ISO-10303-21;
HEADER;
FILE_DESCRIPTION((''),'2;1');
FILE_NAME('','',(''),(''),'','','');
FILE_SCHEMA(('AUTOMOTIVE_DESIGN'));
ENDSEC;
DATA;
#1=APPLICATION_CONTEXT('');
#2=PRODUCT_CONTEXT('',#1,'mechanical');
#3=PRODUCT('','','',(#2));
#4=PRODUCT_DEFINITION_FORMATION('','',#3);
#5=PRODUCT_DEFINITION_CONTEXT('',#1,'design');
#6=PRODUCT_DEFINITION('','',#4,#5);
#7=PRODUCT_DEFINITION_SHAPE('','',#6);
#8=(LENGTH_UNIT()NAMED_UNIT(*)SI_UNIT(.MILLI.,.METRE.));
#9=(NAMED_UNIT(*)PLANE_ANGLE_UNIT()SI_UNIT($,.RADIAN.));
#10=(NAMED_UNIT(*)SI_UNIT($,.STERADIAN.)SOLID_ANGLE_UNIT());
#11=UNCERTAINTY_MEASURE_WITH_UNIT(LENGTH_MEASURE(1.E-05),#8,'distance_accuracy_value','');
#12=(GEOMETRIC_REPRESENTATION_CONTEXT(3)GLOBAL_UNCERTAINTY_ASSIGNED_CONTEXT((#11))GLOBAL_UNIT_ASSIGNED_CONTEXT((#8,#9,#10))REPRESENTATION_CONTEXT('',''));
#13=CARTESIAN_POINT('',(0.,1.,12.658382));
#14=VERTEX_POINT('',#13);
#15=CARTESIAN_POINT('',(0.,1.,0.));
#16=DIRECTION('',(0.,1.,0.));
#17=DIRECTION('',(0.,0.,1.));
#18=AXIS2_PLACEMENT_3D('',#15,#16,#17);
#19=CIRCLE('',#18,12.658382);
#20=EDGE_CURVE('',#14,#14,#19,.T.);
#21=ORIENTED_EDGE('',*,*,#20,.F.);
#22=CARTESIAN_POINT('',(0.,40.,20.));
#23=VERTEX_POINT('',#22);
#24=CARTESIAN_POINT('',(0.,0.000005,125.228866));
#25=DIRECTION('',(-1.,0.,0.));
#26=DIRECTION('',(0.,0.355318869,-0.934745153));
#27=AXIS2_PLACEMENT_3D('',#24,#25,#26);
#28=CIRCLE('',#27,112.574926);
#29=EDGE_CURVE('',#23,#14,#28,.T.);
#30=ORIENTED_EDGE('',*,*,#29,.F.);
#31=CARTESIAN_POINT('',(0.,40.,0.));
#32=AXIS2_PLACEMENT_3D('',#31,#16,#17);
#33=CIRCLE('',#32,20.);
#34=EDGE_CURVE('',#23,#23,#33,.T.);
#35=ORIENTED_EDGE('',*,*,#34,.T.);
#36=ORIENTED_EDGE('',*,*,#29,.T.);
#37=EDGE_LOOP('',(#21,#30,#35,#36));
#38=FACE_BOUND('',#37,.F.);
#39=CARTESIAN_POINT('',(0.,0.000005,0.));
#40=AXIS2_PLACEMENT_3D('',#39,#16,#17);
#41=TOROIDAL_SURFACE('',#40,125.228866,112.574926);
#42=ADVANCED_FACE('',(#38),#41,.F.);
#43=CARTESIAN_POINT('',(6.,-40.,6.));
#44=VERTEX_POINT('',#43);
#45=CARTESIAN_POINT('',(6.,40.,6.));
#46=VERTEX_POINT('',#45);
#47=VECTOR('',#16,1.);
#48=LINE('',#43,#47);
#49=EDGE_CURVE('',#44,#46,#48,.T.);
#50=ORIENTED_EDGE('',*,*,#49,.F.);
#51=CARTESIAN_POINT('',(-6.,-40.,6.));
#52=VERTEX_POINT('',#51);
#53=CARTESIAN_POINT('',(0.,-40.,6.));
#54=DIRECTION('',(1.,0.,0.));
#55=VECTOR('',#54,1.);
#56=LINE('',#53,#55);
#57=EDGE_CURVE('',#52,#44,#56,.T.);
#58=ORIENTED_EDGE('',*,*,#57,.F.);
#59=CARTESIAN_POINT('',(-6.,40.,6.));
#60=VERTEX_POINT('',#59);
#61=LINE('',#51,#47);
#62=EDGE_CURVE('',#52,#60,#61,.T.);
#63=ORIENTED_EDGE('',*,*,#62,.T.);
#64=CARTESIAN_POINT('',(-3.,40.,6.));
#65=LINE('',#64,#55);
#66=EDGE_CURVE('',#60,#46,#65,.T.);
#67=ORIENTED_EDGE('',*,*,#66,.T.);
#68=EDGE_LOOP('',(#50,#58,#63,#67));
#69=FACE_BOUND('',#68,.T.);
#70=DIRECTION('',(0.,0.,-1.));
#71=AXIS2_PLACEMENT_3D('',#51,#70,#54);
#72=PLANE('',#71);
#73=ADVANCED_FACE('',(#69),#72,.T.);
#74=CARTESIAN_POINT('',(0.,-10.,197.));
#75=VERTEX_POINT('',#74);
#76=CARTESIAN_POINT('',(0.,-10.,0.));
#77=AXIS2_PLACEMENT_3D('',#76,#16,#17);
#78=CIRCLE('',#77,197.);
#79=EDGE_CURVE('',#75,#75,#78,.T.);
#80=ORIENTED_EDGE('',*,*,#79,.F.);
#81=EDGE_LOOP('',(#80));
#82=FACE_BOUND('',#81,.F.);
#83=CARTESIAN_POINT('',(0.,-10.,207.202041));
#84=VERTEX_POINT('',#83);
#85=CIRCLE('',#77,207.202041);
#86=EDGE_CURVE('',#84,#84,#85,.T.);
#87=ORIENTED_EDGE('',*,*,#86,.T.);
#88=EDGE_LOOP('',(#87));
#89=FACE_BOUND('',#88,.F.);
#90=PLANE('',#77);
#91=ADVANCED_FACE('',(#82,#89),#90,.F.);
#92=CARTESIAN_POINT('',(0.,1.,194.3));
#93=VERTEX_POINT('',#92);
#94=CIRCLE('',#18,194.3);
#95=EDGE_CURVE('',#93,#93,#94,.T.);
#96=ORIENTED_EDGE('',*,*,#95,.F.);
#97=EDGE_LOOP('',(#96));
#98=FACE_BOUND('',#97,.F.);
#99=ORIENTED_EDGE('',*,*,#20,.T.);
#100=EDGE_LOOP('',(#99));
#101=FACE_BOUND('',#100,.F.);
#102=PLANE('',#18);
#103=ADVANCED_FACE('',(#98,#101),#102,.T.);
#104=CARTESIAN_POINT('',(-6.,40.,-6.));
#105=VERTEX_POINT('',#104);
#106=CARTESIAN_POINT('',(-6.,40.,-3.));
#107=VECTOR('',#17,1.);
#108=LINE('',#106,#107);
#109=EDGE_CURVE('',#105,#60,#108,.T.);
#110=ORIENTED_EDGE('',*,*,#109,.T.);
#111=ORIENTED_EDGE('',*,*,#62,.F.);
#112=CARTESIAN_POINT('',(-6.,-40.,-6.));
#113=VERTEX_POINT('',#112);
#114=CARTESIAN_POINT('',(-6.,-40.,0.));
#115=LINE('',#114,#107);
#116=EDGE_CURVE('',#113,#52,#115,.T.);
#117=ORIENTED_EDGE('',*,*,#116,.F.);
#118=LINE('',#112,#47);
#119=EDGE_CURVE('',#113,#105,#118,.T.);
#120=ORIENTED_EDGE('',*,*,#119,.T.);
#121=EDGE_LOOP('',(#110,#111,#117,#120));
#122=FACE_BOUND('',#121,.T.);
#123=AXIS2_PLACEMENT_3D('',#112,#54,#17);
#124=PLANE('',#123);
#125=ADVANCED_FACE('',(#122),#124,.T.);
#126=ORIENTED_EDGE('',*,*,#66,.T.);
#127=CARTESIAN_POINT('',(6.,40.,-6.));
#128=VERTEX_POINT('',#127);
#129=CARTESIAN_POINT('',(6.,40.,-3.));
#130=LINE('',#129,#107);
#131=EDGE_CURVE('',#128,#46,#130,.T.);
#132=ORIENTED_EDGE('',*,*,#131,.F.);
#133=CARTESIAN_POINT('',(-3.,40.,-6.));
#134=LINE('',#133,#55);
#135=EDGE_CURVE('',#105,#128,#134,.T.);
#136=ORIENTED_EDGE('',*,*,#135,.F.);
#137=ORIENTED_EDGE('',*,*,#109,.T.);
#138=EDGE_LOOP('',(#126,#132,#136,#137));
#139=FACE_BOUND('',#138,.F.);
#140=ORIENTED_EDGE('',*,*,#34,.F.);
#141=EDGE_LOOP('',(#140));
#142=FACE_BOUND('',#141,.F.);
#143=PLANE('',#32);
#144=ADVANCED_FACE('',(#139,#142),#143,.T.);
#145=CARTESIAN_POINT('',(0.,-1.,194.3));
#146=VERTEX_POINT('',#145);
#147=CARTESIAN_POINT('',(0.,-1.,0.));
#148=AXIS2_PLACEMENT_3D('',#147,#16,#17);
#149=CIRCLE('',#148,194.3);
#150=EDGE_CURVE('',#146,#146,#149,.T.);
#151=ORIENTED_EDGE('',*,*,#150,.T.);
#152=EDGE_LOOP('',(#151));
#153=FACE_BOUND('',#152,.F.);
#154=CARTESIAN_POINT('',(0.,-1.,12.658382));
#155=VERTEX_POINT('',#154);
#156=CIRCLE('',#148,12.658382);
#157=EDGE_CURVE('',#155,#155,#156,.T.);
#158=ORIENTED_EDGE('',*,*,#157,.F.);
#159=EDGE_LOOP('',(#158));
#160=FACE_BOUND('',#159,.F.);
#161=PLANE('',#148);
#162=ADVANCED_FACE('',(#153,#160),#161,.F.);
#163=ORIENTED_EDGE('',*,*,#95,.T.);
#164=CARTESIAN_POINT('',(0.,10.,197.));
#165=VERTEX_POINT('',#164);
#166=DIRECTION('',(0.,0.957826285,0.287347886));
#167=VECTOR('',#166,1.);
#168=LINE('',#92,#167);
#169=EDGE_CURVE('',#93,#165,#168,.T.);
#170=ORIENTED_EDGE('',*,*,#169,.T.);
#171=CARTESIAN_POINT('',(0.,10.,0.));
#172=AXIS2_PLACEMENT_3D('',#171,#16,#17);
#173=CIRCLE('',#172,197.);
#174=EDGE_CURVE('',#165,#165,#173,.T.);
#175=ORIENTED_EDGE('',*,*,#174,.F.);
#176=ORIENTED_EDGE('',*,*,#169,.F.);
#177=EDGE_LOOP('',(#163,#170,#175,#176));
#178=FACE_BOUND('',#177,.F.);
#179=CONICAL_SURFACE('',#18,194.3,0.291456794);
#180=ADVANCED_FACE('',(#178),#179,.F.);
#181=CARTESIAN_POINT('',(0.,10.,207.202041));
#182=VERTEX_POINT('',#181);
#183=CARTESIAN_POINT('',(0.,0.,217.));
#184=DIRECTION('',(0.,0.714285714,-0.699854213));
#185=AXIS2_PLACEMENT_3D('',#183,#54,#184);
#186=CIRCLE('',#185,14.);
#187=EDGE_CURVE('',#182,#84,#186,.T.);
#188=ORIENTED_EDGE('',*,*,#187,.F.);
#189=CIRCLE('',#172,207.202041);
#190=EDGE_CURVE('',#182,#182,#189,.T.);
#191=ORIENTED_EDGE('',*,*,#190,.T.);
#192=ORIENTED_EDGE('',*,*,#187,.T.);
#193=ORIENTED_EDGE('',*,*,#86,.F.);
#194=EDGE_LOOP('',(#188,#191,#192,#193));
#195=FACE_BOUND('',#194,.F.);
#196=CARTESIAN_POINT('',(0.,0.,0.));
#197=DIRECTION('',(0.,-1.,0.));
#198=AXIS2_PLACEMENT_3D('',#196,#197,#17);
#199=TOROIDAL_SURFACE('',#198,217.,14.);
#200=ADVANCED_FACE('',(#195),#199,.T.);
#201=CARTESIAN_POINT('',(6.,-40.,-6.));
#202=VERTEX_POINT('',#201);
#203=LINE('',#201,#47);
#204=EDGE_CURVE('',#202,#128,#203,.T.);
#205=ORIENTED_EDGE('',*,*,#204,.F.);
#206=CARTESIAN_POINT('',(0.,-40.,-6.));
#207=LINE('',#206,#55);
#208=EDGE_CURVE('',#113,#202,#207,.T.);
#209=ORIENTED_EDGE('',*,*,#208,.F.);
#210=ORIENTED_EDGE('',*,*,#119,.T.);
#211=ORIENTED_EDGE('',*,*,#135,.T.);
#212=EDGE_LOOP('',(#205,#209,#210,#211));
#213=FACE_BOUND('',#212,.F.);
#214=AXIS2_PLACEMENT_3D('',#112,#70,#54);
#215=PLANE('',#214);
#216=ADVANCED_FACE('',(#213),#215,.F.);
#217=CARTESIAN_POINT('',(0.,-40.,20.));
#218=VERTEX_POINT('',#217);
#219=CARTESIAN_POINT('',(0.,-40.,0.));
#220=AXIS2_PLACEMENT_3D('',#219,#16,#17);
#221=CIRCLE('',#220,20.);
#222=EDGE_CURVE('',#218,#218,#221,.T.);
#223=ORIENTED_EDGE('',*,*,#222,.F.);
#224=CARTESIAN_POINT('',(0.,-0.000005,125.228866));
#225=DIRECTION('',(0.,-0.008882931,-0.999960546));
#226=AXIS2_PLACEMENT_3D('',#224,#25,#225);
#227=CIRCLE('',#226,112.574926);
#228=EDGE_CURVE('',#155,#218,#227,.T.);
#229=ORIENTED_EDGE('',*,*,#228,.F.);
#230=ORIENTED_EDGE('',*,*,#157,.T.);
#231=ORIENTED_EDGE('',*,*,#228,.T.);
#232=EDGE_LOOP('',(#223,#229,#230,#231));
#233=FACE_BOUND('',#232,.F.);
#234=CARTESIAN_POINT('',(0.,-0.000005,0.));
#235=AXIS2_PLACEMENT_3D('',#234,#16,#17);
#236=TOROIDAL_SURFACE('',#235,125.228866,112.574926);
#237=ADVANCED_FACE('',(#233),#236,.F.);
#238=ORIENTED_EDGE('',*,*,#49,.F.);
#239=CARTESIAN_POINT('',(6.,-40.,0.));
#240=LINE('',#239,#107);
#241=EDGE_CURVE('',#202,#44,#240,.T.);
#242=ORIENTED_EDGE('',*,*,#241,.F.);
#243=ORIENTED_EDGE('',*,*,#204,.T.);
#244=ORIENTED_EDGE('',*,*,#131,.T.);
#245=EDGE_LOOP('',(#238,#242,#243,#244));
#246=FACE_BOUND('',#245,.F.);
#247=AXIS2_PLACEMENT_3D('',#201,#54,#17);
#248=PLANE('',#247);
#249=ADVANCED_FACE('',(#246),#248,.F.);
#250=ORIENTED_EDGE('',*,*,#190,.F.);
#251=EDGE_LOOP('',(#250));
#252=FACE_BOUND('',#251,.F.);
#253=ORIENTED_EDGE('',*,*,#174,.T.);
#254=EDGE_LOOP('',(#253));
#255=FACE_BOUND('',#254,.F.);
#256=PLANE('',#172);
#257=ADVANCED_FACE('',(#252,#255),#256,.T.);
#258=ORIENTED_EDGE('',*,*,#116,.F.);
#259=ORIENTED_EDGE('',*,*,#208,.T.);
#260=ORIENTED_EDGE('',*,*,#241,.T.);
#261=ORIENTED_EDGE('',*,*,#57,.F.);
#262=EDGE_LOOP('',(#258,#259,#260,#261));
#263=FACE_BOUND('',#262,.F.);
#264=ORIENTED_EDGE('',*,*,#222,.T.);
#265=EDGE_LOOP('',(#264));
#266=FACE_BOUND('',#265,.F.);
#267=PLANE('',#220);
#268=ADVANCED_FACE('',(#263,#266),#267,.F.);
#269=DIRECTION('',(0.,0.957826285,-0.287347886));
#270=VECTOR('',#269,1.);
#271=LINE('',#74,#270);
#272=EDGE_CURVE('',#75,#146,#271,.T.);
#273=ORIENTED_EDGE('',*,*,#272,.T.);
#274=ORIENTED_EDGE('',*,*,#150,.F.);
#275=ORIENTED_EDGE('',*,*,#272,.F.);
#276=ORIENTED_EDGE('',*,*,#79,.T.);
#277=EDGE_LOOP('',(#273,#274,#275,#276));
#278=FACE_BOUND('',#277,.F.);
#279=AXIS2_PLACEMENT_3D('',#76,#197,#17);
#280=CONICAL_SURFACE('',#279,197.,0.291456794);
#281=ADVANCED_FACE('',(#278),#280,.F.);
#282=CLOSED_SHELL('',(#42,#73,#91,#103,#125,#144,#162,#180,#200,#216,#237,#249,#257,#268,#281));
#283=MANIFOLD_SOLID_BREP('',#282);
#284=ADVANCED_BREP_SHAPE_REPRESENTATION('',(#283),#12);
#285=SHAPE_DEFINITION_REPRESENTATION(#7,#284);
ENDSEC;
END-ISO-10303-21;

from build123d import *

# Parameters (mm, degrees)
F2_W     = 12
F2_H     = 12
F3_DEPTH = 80.001


with BuildPart() as f1:
    # F0 (on Right) → F1 (revolve)
    with BuildSketch(Plane.YZ):
        with BuildLine():
            Line((10, 197), (10, 207.202041))
            ThreePointArc((10, 207.202041), (0, 231), (-10, 207.202041))
            Line((-10, 207.202041), (-10, 197))
            Line((-10, 197), (-1, 194.3))
            Line((-1, 194.3), (-1, 12.658382))
            ThreePointArc((-1, 12.658382), (-20.826062, 14.597093), (-40, 20))
            Line((-40, 20), (-40, 0))
            Line((-40, 0), (40, 0))
            Line((40, 0), (40, 10))
            Line((40, 10), (40, 20))
            ThreePointArc((40, 20), (20.826062, 14.597093), (1, 12.658382))
            Line((1, 12.658382), (1, 194.3))
            Line((1, 194.3), (10, 197))
        make_face()
    revolve(axis=Axis((0, 1.765828, 0), (0, 1, 0)))

    # F2 (on face) → F3 (cut, through all)
    with BuildSketch(Plane.XZ.offset(40)):
        Rectangle(F2_W, F2_H)
    extrude(amount=-F3_DEPTH, mode=Mode.SUBTRACT)


solid = f1.part
